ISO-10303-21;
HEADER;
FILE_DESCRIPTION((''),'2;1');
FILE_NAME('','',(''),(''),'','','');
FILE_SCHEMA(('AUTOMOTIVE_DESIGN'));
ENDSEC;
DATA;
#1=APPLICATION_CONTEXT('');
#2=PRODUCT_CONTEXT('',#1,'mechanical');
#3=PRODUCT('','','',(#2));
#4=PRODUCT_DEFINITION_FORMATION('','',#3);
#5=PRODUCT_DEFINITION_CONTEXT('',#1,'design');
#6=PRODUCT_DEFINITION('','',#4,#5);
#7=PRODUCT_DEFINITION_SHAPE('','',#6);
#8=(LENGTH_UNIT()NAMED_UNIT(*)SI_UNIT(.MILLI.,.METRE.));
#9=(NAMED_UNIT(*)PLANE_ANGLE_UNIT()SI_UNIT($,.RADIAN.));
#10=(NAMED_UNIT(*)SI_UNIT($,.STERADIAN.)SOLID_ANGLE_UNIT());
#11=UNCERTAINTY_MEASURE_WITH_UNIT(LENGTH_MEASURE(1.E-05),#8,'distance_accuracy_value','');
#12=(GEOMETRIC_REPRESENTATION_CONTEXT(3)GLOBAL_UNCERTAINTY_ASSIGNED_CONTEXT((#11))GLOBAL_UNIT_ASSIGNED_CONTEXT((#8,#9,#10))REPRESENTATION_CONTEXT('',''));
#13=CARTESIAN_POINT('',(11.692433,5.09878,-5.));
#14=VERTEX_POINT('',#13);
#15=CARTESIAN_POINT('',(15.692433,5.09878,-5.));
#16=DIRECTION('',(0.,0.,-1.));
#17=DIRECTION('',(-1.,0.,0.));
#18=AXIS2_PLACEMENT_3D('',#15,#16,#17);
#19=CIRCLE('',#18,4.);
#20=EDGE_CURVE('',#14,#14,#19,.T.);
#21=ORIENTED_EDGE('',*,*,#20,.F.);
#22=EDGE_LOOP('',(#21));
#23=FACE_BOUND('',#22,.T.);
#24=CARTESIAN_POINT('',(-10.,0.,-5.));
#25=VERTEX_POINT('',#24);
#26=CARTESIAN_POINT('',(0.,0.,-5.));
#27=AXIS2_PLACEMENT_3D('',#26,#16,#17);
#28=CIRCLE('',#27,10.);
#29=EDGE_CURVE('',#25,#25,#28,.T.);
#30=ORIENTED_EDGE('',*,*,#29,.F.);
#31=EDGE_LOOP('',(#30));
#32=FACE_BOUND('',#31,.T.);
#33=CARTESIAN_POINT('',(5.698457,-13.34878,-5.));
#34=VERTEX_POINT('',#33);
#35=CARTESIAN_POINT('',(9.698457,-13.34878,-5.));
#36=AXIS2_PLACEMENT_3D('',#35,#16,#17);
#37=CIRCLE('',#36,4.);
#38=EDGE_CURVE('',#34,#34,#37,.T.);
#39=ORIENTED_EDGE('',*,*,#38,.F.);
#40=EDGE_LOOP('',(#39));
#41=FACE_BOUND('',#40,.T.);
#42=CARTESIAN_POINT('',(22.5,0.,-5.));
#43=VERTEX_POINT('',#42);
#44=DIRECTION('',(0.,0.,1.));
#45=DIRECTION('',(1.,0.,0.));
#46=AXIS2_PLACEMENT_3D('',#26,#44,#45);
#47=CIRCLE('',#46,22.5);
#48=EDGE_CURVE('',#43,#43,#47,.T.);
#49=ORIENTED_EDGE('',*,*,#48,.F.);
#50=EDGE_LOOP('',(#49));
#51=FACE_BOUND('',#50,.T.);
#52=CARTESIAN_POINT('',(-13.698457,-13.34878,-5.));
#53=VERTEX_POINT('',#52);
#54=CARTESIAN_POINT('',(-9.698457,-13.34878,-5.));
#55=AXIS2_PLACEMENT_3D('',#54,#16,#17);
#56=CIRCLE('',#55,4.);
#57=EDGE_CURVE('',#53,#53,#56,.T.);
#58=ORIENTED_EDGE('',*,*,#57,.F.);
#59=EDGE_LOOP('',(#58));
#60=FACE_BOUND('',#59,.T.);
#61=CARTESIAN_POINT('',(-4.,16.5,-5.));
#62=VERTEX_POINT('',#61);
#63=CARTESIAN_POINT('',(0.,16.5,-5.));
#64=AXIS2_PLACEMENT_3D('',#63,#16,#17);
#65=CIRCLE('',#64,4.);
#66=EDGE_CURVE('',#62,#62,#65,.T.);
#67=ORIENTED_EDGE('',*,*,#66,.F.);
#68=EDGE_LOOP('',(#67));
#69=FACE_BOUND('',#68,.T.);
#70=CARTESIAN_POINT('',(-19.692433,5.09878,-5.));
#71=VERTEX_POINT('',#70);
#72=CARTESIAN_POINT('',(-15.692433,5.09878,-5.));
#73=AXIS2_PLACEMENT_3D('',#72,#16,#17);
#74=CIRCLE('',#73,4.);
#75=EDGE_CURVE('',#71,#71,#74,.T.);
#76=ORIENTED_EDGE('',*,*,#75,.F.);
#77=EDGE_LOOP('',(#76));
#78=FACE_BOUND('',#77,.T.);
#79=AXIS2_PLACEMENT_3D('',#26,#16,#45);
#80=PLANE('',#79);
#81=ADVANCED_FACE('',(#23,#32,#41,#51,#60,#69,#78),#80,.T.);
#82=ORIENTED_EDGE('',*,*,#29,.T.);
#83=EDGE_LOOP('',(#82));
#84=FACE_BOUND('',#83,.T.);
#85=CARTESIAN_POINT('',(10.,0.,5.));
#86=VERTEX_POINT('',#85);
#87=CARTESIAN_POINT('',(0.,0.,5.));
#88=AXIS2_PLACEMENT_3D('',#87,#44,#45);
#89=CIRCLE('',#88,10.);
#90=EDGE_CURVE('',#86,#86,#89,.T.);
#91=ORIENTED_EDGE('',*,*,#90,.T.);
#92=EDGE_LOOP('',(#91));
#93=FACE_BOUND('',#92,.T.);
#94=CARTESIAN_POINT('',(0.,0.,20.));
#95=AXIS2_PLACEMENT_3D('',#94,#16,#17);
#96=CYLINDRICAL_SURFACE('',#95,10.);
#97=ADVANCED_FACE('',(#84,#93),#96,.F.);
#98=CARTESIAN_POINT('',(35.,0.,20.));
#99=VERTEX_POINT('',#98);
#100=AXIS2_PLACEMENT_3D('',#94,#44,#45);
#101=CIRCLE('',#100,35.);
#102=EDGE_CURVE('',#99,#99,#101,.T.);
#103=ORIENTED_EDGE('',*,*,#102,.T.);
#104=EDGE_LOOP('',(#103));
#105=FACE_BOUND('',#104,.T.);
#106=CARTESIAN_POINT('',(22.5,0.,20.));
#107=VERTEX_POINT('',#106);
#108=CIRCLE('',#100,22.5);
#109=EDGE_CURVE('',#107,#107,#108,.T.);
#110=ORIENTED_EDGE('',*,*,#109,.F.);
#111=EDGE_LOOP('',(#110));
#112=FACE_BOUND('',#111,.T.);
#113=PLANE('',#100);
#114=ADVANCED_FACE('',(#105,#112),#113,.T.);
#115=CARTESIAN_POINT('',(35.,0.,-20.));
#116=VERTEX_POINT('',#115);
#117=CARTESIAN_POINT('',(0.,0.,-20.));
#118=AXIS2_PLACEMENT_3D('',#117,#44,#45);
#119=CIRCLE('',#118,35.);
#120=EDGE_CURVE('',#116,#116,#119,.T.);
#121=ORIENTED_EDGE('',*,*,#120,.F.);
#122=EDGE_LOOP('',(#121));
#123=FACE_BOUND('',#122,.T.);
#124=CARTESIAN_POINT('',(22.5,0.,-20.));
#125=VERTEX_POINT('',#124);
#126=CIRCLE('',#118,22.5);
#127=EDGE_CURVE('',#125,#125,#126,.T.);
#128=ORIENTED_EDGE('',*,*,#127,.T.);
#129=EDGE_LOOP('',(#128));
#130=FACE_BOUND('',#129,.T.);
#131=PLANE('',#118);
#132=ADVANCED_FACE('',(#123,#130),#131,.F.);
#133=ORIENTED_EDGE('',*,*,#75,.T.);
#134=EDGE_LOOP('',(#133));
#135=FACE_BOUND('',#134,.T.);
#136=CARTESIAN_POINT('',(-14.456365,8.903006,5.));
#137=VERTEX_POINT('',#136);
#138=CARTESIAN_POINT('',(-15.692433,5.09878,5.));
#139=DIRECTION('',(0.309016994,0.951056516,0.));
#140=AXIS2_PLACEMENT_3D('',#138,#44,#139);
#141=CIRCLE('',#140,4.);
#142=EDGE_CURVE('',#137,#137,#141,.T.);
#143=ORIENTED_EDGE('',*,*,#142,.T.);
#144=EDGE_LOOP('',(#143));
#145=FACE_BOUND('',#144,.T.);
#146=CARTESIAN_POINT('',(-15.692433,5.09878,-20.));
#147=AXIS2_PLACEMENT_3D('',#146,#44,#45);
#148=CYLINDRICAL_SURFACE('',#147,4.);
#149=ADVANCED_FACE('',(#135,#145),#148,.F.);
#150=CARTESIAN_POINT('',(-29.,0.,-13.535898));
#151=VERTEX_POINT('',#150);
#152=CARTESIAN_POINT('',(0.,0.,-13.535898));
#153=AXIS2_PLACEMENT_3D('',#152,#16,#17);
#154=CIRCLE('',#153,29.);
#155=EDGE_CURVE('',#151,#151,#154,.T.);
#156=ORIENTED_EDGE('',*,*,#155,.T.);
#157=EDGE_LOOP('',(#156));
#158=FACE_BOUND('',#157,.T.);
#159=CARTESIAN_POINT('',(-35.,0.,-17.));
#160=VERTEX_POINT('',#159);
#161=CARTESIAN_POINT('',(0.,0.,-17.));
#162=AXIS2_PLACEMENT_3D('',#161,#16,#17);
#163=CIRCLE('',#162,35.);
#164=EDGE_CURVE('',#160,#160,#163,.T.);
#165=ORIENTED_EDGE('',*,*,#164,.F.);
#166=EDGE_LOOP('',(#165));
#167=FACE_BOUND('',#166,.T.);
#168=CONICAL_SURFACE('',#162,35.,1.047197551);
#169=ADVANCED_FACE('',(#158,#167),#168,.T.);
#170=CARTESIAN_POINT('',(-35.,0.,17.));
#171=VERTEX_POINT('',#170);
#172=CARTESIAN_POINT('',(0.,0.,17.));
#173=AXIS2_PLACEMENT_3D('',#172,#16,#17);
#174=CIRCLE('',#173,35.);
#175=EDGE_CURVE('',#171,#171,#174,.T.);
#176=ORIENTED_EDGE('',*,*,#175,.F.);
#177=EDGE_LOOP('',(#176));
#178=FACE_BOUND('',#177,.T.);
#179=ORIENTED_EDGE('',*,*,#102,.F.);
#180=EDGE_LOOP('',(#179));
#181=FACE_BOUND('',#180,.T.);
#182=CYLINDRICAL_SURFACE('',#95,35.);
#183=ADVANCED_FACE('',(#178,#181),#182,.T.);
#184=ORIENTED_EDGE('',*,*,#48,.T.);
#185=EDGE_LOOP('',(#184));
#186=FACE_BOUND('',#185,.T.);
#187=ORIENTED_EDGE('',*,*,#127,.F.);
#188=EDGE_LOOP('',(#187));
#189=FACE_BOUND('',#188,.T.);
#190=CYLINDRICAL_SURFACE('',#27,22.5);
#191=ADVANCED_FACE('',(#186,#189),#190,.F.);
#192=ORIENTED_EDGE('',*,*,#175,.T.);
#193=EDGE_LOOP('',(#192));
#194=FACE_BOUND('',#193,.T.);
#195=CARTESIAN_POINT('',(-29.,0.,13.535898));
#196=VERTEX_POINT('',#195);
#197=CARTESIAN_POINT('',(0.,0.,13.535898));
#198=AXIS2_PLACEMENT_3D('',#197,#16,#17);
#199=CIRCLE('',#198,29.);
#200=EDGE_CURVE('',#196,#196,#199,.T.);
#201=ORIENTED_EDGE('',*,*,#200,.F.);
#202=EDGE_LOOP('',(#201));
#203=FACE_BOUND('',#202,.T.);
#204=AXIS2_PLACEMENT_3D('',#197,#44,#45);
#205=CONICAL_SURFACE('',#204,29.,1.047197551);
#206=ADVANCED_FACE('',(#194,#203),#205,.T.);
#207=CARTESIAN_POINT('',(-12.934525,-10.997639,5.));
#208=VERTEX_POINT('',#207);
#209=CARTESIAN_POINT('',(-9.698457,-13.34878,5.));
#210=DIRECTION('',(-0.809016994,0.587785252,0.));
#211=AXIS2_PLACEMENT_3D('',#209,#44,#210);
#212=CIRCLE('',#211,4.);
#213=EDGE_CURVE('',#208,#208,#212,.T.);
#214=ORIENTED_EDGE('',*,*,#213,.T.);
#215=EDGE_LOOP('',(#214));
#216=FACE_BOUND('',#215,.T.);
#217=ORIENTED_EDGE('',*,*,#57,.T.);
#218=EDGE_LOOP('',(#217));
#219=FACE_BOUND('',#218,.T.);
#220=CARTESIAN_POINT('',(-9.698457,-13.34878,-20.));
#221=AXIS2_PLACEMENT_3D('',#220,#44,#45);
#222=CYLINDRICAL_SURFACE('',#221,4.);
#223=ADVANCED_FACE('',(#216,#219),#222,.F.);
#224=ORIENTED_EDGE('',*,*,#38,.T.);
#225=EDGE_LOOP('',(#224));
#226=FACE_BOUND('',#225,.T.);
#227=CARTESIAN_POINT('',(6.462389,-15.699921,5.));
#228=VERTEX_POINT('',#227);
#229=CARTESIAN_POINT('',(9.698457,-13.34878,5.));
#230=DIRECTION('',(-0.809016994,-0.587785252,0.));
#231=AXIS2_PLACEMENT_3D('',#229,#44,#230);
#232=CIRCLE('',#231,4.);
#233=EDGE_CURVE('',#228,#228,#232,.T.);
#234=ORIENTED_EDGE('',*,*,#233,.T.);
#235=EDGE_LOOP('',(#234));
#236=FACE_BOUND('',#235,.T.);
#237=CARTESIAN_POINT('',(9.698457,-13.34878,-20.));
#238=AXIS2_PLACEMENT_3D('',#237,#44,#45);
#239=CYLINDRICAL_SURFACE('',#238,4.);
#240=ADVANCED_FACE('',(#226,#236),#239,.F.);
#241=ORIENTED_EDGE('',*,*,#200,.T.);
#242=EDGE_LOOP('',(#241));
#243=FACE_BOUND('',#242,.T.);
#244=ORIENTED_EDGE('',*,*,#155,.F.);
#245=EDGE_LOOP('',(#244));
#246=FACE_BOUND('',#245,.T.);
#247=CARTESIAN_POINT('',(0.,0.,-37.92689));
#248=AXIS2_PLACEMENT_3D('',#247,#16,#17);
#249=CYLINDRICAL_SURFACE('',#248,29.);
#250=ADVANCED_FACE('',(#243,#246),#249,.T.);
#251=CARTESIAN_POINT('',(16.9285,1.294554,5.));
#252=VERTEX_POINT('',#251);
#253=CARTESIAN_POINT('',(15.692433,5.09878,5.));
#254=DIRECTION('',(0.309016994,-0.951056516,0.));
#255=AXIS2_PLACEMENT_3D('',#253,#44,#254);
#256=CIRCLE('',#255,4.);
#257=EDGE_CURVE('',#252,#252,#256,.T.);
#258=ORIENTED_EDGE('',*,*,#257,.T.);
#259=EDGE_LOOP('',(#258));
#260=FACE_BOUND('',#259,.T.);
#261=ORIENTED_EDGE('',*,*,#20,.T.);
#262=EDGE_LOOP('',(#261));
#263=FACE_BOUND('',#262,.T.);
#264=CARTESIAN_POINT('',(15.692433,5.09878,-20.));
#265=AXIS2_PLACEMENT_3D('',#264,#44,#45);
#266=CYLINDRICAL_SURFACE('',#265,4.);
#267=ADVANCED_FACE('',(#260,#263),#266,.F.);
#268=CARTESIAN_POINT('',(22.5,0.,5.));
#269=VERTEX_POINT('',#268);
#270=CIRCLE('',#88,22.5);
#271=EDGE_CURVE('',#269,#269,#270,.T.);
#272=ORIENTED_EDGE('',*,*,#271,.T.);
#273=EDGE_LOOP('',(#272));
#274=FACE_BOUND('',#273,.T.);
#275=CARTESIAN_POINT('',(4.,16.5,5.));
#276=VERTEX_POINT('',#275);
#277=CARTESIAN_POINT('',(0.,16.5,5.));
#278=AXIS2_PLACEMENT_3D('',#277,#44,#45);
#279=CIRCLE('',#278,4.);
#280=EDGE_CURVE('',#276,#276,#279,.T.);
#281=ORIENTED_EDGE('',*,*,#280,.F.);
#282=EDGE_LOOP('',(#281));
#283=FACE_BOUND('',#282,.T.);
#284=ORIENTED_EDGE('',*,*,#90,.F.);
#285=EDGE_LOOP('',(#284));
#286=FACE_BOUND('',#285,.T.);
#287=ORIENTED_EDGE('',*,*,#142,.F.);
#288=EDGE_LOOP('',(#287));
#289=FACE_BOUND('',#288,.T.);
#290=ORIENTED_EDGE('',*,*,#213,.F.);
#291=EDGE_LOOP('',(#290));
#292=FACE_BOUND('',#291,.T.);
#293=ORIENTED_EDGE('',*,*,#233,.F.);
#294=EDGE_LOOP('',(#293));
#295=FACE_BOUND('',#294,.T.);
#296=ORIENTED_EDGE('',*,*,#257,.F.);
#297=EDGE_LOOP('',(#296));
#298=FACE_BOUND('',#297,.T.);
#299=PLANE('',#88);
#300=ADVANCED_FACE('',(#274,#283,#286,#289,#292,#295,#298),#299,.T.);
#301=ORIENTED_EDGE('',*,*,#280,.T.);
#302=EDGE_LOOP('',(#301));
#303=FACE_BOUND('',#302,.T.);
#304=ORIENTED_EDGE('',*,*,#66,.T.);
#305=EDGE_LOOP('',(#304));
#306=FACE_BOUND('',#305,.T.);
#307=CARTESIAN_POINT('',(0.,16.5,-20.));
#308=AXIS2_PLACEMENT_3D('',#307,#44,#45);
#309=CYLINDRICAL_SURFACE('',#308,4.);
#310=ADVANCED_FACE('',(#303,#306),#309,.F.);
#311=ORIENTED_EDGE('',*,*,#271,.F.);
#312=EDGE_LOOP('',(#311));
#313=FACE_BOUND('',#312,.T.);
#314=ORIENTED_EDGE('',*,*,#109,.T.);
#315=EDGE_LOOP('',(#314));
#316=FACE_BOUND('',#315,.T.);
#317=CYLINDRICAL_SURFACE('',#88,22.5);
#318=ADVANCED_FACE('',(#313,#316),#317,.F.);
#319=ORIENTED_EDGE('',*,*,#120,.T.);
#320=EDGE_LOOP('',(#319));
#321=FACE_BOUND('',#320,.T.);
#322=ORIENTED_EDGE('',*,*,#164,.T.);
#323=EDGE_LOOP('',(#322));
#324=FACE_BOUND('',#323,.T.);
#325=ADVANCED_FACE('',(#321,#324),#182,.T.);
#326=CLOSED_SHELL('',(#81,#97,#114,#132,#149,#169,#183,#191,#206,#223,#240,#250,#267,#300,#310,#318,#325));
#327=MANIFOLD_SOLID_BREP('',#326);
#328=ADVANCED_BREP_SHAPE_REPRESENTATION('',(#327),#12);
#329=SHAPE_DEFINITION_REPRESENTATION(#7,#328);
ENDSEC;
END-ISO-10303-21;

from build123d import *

# Parameters (mm, degrees)
ESQUISSE1_R                  = 35
ESQUISSE1_R_2                = 10
BOSS_EXTRU_1_DEPTH           = 20
ESQUISSE2_R                  = 22.5
ENL_V_MAT_EXTRU_1_DEPTH      = 15
ESQUISSE3_R                  = 4
ENL_V_MAT_EXTRU_2_DEPTH      = 56.452682532
R_P_TITION_CIRCULAIRE1_COUNT = 5


with BuildPart() as part:
    # Esquisse1 → Boss.-Extru.1 (new, symmetric)
    with BuildSketch(Plane.XY):
        Circle(ESQUISSE1_R)
        Circle(ESQUISSE1_R_2, mode=Mode.SUBTRACT)
    extrude(amount=BOSS_EXTRU_1_DEPTH, both=True)

    # Esquisse2 → Enlèv. mat.-Extru.1 (cut)
    with BuildSketch(Plane.XY.offset(20)):
        Circle(ESQUISSE2_R)
    enl_v_mat_extru_1 = extrude(amount=-ENL_V_MAT_EXTRU_1_DEPTH, mode=Mode.SUBTRACT)

    # Symétrie1: Enlèv. mat.-Extru.1 across plane
    add(enl_v_mat_extru_1.mirror(Plane.XY), mode=Mode.SUBTRACT)

    # Esquisse3 → Enlèv. mat.-Extru.2 (cut, through all)
    with BuildSketch(Plane.XY.offset(5)):
        with Locations((0, 16.5)):
            Circle(ESQUISSE3_R)
    enl_v_mat_extru_2 = extrude(amount=-ENL_V_MAT_EXTRU_2_DEPTH, mode=Mode.SUBTRACT)

    # Répétition circulaire1: Enlèv. mat.-Extru.2 ×5 about axis
    r_p_tition_circulaire1_axis = Axis((0, 0, 0), (0, 0, 1))
    for i in range(1, R_P_TITION_CIRCULAIRE1_COUNT):
        add(enl_v_mat_extru_2.rotate(r_p_tition_circulaire1_axis, i * 360 / R_P_TITION_CIRCULAIRE1_COUNT), mode=Mode.SUBTRACT)

    # Esquisse4 → Enlèvement de matière-Révolution1 (revolve, cut)
    with BuildSketch(Plane(origin=(0, 0, 0), x_dir=(1, 0, 0), z_dir=(0, 1, 0)), mode=Mode.PRIVATE) as enl_vement_de_mati_re_r_volution1_sk:
        Polygon((35, 17), (29, 13.535898385), (29, -13.535898385), (35, -17), align=None)
    revolve(enl_vement_de_mati_re_r_volution1_sk.sketch.rotate(Axis((0, 0, -37.926889672), (0, 0, 1)), 180), axis=Axis((0, 0, -37.926889672), (0, 0, 1)), mode=Mode.SUBTRACT)


solid = part.part
